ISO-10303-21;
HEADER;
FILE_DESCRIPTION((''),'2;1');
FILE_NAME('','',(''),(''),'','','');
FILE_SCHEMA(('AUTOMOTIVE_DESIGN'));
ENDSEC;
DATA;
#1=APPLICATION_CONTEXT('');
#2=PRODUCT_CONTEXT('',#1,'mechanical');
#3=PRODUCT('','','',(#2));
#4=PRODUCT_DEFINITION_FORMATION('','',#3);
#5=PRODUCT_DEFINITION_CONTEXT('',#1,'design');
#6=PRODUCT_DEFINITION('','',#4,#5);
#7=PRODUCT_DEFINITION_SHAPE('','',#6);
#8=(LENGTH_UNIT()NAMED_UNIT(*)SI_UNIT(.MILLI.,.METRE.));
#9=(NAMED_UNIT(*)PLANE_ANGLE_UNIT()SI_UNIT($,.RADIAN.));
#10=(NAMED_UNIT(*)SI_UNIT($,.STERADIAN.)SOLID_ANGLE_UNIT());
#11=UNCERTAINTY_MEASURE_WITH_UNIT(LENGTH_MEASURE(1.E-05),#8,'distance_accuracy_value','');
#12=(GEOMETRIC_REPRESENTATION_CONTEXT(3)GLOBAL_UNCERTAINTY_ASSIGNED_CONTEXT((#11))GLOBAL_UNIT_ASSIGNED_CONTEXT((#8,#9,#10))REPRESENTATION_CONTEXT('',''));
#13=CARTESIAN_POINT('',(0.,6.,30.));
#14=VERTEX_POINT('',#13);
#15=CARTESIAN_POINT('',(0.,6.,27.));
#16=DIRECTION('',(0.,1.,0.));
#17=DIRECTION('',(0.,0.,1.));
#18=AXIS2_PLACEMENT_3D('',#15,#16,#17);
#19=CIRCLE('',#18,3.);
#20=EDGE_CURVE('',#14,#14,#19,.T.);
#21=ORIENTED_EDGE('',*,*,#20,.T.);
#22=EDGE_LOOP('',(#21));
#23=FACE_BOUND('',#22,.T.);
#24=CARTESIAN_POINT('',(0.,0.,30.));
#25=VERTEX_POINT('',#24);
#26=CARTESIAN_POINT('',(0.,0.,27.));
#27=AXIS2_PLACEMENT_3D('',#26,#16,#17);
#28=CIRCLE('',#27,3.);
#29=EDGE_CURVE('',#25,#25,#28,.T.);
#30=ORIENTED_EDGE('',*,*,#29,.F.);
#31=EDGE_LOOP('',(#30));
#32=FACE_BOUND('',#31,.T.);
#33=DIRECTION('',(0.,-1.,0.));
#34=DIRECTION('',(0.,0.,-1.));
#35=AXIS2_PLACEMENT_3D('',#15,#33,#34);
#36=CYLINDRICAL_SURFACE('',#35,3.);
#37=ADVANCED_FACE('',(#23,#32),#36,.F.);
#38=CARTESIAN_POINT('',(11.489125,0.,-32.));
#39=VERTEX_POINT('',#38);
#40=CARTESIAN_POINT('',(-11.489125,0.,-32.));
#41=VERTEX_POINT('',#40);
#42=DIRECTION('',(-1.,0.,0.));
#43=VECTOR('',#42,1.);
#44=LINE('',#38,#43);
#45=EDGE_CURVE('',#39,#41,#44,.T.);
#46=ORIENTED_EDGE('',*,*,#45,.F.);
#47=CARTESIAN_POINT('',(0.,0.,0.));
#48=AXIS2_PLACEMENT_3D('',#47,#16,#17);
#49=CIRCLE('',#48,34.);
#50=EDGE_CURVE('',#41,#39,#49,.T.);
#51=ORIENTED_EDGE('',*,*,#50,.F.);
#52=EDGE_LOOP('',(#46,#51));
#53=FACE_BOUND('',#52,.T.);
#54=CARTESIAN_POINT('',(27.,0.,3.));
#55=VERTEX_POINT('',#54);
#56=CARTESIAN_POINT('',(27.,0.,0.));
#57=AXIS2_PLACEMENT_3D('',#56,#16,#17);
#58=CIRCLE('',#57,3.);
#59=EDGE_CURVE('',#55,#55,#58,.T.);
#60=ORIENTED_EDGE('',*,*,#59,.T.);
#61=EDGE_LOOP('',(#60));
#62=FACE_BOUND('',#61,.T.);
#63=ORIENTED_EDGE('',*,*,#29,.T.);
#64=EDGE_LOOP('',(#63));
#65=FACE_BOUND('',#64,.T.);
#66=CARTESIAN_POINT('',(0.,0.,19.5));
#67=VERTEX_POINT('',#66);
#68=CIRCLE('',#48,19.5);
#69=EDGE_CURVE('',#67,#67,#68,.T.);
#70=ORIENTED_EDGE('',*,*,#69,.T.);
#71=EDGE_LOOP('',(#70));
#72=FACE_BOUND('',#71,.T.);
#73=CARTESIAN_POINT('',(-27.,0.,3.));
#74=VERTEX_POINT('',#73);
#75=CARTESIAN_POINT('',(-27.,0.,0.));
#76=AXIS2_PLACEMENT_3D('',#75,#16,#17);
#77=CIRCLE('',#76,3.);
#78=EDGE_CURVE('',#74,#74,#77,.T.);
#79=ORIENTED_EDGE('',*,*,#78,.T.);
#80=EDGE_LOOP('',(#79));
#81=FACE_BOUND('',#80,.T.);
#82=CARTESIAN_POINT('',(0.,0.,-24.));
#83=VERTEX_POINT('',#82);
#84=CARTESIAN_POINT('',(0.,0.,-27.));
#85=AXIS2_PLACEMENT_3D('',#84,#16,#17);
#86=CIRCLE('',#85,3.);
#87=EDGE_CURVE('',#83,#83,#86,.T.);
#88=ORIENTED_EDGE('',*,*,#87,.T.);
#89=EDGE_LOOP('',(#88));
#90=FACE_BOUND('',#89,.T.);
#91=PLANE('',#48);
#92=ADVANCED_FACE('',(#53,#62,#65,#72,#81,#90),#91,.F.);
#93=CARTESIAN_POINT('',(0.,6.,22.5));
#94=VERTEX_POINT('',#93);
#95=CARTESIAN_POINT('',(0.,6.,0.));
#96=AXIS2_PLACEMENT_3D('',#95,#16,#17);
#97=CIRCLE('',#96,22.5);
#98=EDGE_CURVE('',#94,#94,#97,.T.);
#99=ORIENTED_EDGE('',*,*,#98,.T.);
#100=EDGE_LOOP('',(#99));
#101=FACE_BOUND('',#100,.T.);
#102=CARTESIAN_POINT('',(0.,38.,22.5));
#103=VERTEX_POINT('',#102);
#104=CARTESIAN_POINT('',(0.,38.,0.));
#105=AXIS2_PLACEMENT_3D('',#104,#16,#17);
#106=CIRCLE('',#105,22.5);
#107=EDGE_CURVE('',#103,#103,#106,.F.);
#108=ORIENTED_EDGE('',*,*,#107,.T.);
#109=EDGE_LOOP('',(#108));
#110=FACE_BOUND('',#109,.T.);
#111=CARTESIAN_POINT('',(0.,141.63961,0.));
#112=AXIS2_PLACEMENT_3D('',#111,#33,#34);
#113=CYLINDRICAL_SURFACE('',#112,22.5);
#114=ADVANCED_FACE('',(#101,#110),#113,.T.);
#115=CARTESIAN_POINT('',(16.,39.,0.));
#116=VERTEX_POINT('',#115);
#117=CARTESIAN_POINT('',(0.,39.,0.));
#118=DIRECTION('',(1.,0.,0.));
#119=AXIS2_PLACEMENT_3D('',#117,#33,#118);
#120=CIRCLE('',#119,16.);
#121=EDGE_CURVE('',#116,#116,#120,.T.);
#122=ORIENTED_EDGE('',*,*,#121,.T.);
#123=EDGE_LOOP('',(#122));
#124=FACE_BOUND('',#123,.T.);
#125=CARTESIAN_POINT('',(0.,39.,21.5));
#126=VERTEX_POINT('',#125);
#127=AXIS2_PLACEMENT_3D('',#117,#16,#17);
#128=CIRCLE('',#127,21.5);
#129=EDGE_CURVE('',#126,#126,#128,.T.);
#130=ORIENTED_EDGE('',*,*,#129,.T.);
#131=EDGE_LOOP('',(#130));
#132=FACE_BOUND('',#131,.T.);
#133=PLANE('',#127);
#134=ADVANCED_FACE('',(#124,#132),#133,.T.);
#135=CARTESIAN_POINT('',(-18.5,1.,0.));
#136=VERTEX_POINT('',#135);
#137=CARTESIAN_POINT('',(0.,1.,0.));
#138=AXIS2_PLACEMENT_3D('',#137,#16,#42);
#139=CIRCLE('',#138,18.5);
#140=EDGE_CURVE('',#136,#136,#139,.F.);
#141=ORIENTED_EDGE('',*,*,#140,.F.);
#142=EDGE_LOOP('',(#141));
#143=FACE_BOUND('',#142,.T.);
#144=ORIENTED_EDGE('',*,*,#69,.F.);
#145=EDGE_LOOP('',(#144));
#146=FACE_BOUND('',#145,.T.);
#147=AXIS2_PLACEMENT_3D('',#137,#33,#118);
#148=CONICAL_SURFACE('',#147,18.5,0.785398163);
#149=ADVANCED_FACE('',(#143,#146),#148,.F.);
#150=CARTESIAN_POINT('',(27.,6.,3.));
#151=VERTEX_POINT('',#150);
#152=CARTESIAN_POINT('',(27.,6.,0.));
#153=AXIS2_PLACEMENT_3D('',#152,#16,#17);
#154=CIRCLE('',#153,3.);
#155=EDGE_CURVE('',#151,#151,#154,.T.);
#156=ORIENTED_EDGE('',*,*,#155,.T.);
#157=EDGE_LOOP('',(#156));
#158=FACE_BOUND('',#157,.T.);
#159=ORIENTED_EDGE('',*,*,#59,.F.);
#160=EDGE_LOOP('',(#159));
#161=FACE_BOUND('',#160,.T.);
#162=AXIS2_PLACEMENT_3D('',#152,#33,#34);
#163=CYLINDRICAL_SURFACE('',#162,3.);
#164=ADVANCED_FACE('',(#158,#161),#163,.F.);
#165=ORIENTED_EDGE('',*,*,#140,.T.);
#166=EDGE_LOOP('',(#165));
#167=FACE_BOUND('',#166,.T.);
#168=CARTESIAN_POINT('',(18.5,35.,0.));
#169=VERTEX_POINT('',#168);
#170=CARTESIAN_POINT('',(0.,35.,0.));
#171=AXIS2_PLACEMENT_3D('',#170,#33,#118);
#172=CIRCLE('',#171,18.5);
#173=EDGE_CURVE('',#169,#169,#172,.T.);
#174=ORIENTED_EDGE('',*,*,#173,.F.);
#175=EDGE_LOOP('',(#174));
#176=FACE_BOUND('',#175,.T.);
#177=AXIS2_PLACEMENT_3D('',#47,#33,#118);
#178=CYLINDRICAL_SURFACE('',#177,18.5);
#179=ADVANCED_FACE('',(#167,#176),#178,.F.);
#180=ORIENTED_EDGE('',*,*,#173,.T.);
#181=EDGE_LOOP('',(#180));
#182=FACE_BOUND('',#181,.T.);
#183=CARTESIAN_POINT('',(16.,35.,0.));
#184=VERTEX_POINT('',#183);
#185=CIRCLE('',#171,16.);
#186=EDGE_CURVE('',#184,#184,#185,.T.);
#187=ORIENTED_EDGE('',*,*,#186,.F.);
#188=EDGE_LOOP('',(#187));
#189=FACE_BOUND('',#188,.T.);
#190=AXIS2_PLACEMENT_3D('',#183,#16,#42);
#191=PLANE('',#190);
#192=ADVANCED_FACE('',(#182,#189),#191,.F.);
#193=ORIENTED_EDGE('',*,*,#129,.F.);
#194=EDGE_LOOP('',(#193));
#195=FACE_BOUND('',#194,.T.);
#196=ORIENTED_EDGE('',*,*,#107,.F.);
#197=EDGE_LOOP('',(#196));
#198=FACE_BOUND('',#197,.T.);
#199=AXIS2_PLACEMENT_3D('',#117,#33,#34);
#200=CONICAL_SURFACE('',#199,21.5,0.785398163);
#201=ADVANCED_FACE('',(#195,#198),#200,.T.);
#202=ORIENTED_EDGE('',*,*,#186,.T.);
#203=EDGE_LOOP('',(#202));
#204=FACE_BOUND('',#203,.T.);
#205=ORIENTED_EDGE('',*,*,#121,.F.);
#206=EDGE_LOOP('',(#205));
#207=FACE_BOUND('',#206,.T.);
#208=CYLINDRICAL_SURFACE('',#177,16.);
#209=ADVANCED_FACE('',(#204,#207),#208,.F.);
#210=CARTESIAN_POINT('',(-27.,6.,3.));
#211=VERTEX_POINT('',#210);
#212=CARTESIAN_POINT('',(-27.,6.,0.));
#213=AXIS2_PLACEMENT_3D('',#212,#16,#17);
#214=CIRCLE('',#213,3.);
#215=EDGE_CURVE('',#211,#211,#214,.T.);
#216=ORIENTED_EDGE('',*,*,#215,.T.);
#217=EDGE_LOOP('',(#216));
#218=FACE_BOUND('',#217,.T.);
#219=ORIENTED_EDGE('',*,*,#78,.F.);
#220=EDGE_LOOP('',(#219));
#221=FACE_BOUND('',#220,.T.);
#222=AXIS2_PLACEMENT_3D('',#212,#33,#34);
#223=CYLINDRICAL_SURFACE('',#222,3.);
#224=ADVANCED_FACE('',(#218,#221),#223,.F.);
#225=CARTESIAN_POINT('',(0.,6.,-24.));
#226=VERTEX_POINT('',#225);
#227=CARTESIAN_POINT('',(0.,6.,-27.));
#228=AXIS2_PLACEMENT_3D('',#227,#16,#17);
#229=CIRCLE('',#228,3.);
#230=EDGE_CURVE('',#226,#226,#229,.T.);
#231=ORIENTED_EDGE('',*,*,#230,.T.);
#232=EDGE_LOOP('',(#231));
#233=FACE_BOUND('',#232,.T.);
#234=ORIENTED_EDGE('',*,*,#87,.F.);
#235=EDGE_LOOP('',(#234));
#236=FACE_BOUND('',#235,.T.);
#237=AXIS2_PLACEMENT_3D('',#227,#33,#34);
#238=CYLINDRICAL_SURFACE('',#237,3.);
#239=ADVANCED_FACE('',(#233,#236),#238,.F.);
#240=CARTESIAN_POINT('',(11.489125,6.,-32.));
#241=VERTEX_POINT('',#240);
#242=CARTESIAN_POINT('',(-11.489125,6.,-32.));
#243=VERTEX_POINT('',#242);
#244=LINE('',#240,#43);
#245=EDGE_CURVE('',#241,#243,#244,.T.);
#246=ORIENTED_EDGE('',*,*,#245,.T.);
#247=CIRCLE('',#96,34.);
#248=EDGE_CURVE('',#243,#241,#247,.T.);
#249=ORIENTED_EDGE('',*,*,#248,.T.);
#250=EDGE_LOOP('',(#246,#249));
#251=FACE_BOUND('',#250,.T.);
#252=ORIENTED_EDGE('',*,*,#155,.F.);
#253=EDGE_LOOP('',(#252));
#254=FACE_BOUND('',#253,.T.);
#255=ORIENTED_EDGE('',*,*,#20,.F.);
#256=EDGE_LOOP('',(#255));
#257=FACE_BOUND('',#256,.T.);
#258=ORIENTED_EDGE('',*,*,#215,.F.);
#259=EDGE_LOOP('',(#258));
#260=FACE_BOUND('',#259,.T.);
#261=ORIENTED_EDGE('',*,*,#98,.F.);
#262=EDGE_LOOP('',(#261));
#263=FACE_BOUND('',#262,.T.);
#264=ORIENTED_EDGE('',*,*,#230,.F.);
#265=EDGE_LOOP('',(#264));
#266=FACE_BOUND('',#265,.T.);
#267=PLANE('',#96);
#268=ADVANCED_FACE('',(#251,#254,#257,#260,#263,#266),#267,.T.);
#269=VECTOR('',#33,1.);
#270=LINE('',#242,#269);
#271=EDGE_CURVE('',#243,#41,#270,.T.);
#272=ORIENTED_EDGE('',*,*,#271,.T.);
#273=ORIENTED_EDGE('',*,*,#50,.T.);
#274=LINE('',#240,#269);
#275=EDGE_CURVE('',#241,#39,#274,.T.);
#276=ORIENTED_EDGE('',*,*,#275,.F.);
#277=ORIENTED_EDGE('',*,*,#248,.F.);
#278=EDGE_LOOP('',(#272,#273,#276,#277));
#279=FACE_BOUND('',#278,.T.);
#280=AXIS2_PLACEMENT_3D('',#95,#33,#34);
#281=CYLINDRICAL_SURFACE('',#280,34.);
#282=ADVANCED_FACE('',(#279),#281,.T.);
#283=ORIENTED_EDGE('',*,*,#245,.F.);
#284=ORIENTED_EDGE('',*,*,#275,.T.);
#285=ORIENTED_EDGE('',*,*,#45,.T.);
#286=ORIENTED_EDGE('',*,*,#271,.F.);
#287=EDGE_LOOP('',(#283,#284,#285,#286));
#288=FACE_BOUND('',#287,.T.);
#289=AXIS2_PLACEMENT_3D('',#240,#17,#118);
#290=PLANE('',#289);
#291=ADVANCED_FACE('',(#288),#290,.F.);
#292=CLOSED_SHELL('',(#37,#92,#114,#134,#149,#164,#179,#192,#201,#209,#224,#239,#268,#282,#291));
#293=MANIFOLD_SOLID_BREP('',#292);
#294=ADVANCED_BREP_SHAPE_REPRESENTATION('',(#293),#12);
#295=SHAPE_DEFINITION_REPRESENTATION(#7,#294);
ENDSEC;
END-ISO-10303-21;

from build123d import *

# Parameters (mm, degrees)
SKETCH_1_R      = 3
EXTRUDE_1_DEPTH = 6
SKETCH_2_R      = 22.5
EXTRUDE_2_DEPTH = 33
CHAMFER_1_SIZE  = 1


with BuildPart() as part:
    # 草图1 → 凸台-拉伸1 (new body)
    with BuildSketch(Plane(origin=(0, 0, 0), x_dir=(1, 0, 0), z_dir=(0, 1, 0))):
        with BuildLine():
            Line((11.489125293, 32), (-11.489125293, 32))
            ThreePointArc((-11.489125293, 32), (0, -34), (11.489125293, 32))
        make_face()
        with Locations(Location((0, 27, 0), (0, 0, 270))):
            Circle(SKETCH_1_R, mode=Mode.SUBTRACT)
        with Locations(Location((27, 0, 0), (0, 0, 270))):
            Circle(SKETCH_1_R, mode=Mode.SUBTRACT)
        with Locations(Location((0, -27, 0), (0, 0, 270))):
            Circle(SKETCH_1_R, mode=Mode.SUBTRACT)
        with Locations(Location((-27, 0, 0), (0, 0, 270))):
            Circle(SKETCH_1_R, mode=Mode.SUBTRACT)
    extrude(amount=EXTRUDE_1_DEPTH)

    # 草图2 → 凸台-拉伸2 (add)
    with BuildSketch(Plane(origin=(0, 6, 0), x_dir=(1, 0, 0), z_dir=(0, 1, 0))):
        with Locations(Location((0, 0, 0), (0, 0, 270))):
            Circle(SKETCH_2_R)
    extrude(amount=EXTRUDE_2_DEPTH)

    # 草图3 → 切除-旋转1 (revolve, cut)
    with BuildSketch(Plane.XY):
        Polygon((0, 39), (16, 39), (16, 35), (18.5, 35), (18.5, 0), (0, 0), align=None)
    revolve(axis=Axis((0, 0, 0), (0, 1, 0)), mode=Mode.SUBTRACT)

    # 倒角1
    chamfer_1_edges = [part.edges().sort_by_distance(p)[0] for p in [
        (0, 39, -22.5),
        (-18.5, 0, 0),
    ]]
    chamfer(chamfer_1_edges, length=CHAMFER_1_SIZE)


solid = part.part
